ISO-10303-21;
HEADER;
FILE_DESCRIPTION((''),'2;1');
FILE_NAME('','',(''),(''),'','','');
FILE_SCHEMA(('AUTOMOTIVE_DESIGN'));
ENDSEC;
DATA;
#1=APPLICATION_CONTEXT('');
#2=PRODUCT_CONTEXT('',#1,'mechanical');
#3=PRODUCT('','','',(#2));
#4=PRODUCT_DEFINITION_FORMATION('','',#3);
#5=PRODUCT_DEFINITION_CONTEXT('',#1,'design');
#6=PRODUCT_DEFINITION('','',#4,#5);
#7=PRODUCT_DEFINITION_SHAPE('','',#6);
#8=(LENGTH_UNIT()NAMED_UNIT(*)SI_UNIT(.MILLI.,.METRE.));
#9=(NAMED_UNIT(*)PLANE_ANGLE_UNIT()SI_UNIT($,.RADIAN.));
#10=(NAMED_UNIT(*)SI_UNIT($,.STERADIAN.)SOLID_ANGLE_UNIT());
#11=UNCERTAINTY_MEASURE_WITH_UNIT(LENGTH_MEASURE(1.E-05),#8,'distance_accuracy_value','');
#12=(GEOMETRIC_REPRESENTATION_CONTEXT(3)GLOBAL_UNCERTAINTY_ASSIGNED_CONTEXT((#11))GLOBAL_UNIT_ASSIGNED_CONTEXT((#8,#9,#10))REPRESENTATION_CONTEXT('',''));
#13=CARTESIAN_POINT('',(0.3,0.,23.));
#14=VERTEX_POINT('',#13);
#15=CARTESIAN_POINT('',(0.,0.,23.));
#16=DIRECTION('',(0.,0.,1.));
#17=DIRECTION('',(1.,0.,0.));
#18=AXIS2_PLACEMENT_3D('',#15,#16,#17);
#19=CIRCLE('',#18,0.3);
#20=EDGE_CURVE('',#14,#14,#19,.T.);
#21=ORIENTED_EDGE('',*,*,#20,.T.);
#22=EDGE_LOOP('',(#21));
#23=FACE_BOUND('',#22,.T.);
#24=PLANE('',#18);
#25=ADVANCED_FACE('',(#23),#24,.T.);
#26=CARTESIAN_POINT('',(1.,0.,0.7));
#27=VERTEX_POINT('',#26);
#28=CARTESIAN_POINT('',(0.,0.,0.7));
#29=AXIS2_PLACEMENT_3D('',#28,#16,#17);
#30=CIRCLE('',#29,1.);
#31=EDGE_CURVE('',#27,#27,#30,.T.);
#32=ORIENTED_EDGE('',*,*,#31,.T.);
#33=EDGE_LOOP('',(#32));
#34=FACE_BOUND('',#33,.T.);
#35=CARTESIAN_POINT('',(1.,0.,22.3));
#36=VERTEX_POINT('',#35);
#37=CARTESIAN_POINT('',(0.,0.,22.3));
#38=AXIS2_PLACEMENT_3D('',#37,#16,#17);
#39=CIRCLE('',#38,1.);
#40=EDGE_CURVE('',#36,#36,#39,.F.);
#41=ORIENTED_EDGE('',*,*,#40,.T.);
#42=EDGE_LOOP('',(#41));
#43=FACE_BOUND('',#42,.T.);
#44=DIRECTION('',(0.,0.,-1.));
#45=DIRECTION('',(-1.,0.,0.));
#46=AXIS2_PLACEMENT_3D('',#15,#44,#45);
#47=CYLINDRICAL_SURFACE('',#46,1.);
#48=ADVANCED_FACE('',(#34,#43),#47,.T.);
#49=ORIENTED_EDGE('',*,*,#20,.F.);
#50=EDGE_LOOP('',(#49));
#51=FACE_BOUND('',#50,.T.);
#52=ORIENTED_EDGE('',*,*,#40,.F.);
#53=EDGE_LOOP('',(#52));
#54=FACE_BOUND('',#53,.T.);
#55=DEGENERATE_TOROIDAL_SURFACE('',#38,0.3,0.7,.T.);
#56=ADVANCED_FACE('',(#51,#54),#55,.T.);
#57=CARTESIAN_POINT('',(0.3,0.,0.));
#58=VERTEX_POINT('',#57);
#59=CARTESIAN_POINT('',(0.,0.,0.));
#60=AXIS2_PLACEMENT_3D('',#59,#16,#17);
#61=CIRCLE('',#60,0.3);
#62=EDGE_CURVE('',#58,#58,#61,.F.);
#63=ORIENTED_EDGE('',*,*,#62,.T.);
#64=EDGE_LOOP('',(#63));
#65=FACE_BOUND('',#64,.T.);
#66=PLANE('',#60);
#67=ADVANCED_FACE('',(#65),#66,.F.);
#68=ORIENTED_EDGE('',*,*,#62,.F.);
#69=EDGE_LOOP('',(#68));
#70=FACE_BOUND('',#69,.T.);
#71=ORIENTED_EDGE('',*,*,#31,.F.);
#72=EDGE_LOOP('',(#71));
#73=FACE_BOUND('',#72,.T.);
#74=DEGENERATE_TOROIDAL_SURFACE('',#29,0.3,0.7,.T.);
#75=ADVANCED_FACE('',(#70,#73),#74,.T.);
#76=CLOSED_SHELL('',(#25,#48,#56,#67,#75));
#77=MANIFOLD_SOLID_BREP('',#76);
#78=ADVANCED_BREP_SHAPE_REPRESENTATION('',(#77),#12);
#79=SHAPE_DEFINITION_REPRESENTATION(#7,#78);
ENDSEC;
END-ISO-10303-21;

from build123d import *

# Parameters (mm, degrees)
ESQUISSE1_R        = 1
BOSS_EXTRU_1_DEPTH = 23
CONG_1_R           = 0.7


with BuildPart() as part:
    # Esquisse1 → Boss.-Extru.1 (new body)
    with BuildSketch(Plane.XY):
        Circle(ESQUISSE1_R)
    extrude(amount=BOSS_EXTRU_1_DEPTH)

    # Congé1
    cong_1_edges = [part.edges().sort_by_distance(p)[0] for p in [
        (-1, 0, 0),
        (-1, 0, 23),
    ]]
    fillet(cong_1_edges, radius=CONG_1_R)


solid = part.part
